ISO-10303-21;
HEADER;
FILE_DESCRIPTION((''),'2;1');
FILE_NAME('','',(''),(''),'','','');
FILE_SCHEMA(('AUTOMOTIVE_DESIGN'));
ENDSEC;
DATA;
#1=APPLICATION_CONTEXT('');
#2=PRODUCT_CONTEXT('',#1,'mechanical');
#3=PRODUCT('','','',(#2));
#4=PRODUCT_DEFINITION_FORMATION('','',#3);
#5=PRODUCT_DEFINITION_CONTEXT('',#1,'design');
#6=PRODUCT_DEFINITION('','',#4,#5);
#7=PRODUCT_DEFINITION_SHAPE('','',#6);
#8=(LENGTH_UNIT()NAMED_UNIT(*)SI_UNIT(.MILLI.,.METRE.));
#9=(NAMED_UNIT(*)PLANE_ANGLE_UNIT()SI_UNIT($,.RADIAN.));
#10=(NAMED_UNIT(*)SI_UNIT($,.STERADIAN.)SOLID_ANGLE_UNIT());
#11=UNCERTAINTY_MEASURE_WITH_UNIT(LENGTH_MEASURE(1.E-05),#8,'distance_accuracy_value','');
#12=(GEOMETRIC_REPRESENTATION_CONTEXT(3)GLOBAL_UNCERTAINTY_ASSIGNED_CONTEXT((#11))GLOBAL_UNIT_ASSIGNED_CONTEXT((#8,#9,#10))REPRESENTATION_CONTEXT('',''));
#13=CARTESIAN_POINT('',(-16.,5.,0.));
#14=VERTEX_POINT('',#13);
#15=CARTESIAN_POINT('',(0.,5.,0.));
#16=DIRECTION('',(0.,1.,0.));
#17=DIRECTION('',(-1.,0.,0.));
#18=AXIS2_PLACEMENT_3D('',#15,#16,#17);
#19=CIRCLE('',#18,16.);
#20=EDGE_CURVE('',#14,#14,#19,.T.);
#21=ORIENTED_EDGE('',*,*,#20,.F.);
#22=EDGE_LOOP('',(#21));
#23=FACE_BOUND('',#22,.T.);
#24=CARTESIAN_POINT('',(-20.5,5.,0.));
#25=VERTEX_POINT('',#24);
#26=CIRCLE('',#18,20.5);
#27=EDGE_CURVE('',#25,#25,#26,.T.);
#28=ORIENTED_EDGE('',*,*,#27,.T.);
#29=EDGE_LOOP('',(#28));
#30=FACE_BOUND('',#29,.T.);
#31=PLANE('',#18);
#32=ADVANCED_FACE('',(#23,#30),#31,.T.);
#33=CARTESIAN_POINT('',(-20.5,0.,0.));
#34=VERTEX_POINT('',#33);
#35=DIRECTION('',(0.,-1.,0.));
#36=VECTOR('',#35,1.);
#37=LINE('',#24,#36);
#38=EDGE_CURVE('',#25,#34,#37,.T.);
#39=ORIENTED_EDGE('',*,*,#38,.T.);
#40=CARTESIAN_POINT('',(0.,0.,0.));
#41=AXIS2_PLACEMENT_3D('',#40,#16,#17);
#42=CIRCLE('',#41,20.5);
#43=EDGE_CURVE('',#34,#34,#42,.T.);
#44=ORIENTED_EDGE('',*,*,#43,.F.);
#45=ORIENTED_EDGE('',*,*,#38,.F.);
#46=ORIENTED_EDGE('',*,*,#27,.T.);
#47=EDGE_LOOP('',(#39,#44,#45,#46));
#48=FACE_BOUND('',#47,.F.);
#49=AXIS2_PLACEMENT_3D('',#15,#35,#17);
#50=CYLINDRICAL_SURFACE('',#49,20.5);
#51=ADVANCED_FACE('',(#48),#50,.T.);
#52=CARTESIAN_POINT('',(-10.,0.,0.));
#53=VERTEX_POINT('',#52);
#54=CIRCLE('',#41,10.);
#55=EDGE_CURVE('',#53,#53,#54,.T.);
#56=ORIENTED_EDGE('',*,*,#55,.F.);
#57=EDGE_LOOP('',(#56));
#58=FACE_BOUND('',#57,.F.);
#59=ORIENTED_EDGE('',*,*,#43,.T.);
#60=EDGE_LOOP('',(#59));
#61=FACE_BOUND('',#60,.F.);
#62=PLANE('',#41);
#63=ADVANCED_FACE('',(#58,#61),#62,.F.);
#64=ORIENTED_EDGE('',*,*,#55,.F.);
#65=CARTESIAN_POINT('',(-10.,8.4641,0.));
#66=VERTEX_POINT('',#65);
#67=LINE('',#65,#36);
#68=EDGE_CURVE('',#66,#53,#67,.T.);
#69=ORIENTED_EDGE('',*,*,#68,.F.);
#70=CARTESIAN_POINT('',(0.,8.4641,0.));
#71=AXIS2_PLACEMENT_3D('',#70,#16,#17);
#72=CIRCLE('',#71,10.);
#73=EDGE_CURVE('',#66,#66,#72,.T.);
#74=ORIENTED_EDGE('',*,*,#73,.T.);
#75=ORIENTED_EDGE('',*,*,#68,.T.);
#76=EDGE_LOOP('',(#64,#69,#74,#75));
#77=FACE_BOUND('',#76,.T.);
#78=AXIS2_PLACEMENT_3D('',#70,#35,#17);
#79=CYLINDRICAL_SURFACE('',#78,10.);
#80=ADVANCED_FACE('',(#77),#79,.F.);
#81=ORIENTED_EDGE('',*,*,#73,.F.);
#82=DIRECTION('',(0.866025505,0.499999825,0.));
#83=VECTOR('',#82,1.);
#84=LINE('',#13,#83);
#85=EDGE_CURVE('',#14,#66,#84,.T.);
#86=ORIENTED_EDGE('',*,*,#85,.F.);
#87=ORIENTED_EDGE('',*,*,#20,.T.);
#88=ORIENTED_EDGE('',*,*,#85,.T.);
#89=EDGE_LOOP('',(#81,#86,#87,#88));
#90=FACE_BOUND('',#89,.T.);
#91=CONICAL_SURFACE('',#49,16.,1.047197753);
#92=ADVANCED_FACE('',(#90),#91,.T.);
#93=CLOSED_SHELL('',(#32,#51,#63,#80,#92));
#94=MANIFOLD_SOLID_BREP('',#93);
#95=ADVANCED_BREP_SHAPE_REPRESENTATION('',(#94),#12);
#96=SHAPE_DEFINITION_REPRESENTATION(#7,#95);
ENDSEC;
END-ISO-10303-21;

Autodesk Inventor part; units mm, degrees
ref_plane "YZ Plane" through (0, 0, 0) normal (1, 0, 0) x (0, 1, 0)
ref_plane "XZ Plane" through (0, 0, 0) normal (0, 1, 0) x (-1, 0, 0)
ref_plane "XY Plane" through (0, 0, 0) normal (0, 0, 1) x (1, 0, 0)
sketch "草图1" plane through (0, 0, 0) normal (0, 0, 1) x (1, 0, 0)
  line L0 (-10, 8.4641) -> (-10, 0)
  line L1 (-20.5, 5) -> (-20.5, 0)
  line L2 (-20.5, 0) -> (-10, 0)
  line L3 (-20.5, 5) -> (-16, 5)
  line L4 (-16, 5) -> (-10, 8.4641)
  line L5 (0, -1.6928) -> (0, 10.1569) projected
  point P0 (0, 0)
  dimension "d0" = 10
  dimension "d2" = 5
  dimension "d3" = 16
  dimension "d4" = 20.5
  dimension "d5" = 60
revolve "旋转1" add sketch "草图1" angle 360 about axis through (0, -10, 0) along (0, 1, 0)
properties part number "胶垫" material "亚麻布，米色"
